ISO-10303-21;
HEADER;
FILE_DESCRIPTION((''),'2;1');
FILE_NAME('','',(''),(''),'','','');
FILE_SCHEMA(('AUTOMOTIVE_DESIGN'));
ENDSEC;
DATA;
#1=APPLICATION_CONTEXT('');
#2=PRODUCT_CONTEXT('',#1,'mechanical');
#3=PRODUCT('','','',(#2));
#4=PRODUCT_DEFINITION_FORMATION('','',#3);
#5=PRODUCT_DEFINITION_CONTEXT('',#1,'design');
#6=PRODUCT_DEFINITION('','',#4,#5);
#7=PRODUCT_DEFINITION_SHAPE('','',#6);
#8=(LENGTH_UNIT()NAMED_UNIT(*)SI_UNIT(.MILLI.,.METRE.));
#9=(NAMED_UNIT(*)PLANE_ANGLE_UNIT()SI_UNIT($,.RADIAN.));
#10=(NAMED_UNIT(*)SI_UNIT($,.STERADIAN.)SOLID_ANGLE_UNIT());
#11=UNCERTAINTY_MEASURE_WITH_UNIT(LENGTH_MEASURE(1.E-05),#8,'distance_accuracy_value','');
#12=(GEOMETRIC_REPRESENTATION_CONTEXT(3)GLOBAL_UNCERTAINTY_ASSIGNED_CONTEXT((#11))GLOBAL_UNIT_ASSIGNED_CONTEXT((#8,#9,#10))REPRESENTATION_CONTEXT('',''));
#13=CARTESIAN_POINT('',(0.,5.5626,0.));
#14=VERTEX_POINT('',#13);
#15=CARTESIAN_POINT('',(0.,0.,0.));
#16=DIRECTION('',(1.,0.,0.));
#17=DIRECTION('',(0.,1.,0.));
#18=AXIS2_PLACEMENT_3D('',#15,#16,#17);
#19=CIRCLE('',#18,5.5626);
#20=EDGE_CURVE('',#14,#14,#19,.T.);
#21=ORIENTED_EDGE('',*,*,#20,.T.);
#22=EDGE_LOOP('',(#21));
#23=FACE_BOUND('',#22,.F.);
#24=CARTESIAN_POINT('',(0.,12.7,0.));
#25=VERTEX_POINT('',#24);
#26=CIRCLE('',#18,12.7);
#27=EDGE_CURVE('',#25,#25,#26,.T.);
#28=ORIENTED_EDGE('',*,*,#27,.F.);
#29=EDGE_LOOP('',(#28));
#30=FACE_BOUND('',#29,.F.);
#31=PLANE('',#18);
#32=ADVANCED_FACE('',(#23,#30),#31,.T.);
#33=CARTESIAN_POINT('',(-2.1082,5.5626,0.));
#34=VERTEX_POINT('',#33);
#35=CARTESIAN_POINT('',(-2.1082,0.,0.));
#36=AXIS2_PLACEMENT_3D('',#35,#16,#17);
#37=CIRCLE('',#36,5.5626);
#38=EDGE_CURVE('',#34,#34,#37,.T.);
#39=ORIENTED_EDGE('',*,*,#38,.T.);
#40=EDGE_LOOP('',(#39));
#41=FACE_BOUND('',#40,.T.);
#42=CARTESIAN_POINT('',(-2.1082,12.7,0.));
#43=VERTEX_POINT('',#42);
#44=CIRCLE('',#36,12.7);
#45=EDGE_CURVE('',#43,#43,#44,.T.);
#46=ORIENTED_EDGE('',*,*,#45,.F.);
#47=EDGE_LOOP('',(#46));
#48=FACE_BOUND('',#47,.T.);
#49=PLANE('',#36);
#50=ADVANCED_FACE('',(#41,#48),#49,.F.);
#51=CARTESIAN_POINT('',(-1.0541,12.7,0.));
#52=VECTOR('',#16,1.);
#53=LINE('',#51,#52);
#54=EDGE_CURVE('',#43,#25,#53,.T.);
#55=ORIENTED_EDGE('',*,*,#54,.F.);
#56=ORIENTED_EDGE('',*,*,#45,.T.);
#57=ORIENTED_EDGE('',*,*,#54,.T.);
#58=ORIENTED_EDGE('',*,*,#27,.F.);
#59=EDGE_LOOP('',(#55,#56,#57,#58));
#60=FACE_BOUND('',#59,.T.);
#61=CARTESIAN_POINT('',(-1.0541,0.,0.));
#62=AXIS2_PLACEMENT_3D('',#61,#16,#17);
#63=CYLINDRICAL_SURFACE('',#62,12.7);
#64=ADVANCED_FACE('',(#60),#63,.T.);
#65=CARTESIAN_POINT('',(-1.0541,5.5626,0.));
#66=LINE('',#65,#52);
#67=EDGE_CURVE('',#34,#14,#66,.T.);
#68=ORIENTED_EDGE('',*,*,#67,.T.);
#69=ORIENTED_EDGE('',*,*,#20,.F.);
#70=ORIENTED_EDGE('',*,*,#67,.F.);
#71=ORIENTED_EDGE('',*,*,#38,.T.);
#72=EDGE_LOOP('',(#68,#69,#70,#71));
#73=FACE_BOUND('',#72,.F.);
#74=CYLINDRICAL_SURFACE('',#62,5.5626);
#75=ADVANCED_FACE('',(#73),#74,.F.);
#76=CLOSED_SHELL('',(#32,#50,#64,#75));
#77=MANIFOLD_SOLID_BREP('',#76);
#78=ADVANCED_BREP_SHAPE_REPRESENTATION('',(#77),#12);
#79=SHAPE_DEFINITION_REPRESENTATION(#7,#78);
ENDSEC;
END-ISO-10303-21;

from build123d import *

# Parameters (mm, degrees)
SKETCH1_W = 2.1082
SKETCH1_H = 7.1374


with BuildPart() as part:
    # Sketch1 → Revolve1 (revolve)
    with BuildSketch(Plane.XY):
        with Locations((-1.0541, 9.1313)):
            Rectangle(SKETCH1_W, SKETCH1_H)
    revolve(axis=Axis((-34.925, 0, 0), (1, 0, 0)))


solid = part.part
